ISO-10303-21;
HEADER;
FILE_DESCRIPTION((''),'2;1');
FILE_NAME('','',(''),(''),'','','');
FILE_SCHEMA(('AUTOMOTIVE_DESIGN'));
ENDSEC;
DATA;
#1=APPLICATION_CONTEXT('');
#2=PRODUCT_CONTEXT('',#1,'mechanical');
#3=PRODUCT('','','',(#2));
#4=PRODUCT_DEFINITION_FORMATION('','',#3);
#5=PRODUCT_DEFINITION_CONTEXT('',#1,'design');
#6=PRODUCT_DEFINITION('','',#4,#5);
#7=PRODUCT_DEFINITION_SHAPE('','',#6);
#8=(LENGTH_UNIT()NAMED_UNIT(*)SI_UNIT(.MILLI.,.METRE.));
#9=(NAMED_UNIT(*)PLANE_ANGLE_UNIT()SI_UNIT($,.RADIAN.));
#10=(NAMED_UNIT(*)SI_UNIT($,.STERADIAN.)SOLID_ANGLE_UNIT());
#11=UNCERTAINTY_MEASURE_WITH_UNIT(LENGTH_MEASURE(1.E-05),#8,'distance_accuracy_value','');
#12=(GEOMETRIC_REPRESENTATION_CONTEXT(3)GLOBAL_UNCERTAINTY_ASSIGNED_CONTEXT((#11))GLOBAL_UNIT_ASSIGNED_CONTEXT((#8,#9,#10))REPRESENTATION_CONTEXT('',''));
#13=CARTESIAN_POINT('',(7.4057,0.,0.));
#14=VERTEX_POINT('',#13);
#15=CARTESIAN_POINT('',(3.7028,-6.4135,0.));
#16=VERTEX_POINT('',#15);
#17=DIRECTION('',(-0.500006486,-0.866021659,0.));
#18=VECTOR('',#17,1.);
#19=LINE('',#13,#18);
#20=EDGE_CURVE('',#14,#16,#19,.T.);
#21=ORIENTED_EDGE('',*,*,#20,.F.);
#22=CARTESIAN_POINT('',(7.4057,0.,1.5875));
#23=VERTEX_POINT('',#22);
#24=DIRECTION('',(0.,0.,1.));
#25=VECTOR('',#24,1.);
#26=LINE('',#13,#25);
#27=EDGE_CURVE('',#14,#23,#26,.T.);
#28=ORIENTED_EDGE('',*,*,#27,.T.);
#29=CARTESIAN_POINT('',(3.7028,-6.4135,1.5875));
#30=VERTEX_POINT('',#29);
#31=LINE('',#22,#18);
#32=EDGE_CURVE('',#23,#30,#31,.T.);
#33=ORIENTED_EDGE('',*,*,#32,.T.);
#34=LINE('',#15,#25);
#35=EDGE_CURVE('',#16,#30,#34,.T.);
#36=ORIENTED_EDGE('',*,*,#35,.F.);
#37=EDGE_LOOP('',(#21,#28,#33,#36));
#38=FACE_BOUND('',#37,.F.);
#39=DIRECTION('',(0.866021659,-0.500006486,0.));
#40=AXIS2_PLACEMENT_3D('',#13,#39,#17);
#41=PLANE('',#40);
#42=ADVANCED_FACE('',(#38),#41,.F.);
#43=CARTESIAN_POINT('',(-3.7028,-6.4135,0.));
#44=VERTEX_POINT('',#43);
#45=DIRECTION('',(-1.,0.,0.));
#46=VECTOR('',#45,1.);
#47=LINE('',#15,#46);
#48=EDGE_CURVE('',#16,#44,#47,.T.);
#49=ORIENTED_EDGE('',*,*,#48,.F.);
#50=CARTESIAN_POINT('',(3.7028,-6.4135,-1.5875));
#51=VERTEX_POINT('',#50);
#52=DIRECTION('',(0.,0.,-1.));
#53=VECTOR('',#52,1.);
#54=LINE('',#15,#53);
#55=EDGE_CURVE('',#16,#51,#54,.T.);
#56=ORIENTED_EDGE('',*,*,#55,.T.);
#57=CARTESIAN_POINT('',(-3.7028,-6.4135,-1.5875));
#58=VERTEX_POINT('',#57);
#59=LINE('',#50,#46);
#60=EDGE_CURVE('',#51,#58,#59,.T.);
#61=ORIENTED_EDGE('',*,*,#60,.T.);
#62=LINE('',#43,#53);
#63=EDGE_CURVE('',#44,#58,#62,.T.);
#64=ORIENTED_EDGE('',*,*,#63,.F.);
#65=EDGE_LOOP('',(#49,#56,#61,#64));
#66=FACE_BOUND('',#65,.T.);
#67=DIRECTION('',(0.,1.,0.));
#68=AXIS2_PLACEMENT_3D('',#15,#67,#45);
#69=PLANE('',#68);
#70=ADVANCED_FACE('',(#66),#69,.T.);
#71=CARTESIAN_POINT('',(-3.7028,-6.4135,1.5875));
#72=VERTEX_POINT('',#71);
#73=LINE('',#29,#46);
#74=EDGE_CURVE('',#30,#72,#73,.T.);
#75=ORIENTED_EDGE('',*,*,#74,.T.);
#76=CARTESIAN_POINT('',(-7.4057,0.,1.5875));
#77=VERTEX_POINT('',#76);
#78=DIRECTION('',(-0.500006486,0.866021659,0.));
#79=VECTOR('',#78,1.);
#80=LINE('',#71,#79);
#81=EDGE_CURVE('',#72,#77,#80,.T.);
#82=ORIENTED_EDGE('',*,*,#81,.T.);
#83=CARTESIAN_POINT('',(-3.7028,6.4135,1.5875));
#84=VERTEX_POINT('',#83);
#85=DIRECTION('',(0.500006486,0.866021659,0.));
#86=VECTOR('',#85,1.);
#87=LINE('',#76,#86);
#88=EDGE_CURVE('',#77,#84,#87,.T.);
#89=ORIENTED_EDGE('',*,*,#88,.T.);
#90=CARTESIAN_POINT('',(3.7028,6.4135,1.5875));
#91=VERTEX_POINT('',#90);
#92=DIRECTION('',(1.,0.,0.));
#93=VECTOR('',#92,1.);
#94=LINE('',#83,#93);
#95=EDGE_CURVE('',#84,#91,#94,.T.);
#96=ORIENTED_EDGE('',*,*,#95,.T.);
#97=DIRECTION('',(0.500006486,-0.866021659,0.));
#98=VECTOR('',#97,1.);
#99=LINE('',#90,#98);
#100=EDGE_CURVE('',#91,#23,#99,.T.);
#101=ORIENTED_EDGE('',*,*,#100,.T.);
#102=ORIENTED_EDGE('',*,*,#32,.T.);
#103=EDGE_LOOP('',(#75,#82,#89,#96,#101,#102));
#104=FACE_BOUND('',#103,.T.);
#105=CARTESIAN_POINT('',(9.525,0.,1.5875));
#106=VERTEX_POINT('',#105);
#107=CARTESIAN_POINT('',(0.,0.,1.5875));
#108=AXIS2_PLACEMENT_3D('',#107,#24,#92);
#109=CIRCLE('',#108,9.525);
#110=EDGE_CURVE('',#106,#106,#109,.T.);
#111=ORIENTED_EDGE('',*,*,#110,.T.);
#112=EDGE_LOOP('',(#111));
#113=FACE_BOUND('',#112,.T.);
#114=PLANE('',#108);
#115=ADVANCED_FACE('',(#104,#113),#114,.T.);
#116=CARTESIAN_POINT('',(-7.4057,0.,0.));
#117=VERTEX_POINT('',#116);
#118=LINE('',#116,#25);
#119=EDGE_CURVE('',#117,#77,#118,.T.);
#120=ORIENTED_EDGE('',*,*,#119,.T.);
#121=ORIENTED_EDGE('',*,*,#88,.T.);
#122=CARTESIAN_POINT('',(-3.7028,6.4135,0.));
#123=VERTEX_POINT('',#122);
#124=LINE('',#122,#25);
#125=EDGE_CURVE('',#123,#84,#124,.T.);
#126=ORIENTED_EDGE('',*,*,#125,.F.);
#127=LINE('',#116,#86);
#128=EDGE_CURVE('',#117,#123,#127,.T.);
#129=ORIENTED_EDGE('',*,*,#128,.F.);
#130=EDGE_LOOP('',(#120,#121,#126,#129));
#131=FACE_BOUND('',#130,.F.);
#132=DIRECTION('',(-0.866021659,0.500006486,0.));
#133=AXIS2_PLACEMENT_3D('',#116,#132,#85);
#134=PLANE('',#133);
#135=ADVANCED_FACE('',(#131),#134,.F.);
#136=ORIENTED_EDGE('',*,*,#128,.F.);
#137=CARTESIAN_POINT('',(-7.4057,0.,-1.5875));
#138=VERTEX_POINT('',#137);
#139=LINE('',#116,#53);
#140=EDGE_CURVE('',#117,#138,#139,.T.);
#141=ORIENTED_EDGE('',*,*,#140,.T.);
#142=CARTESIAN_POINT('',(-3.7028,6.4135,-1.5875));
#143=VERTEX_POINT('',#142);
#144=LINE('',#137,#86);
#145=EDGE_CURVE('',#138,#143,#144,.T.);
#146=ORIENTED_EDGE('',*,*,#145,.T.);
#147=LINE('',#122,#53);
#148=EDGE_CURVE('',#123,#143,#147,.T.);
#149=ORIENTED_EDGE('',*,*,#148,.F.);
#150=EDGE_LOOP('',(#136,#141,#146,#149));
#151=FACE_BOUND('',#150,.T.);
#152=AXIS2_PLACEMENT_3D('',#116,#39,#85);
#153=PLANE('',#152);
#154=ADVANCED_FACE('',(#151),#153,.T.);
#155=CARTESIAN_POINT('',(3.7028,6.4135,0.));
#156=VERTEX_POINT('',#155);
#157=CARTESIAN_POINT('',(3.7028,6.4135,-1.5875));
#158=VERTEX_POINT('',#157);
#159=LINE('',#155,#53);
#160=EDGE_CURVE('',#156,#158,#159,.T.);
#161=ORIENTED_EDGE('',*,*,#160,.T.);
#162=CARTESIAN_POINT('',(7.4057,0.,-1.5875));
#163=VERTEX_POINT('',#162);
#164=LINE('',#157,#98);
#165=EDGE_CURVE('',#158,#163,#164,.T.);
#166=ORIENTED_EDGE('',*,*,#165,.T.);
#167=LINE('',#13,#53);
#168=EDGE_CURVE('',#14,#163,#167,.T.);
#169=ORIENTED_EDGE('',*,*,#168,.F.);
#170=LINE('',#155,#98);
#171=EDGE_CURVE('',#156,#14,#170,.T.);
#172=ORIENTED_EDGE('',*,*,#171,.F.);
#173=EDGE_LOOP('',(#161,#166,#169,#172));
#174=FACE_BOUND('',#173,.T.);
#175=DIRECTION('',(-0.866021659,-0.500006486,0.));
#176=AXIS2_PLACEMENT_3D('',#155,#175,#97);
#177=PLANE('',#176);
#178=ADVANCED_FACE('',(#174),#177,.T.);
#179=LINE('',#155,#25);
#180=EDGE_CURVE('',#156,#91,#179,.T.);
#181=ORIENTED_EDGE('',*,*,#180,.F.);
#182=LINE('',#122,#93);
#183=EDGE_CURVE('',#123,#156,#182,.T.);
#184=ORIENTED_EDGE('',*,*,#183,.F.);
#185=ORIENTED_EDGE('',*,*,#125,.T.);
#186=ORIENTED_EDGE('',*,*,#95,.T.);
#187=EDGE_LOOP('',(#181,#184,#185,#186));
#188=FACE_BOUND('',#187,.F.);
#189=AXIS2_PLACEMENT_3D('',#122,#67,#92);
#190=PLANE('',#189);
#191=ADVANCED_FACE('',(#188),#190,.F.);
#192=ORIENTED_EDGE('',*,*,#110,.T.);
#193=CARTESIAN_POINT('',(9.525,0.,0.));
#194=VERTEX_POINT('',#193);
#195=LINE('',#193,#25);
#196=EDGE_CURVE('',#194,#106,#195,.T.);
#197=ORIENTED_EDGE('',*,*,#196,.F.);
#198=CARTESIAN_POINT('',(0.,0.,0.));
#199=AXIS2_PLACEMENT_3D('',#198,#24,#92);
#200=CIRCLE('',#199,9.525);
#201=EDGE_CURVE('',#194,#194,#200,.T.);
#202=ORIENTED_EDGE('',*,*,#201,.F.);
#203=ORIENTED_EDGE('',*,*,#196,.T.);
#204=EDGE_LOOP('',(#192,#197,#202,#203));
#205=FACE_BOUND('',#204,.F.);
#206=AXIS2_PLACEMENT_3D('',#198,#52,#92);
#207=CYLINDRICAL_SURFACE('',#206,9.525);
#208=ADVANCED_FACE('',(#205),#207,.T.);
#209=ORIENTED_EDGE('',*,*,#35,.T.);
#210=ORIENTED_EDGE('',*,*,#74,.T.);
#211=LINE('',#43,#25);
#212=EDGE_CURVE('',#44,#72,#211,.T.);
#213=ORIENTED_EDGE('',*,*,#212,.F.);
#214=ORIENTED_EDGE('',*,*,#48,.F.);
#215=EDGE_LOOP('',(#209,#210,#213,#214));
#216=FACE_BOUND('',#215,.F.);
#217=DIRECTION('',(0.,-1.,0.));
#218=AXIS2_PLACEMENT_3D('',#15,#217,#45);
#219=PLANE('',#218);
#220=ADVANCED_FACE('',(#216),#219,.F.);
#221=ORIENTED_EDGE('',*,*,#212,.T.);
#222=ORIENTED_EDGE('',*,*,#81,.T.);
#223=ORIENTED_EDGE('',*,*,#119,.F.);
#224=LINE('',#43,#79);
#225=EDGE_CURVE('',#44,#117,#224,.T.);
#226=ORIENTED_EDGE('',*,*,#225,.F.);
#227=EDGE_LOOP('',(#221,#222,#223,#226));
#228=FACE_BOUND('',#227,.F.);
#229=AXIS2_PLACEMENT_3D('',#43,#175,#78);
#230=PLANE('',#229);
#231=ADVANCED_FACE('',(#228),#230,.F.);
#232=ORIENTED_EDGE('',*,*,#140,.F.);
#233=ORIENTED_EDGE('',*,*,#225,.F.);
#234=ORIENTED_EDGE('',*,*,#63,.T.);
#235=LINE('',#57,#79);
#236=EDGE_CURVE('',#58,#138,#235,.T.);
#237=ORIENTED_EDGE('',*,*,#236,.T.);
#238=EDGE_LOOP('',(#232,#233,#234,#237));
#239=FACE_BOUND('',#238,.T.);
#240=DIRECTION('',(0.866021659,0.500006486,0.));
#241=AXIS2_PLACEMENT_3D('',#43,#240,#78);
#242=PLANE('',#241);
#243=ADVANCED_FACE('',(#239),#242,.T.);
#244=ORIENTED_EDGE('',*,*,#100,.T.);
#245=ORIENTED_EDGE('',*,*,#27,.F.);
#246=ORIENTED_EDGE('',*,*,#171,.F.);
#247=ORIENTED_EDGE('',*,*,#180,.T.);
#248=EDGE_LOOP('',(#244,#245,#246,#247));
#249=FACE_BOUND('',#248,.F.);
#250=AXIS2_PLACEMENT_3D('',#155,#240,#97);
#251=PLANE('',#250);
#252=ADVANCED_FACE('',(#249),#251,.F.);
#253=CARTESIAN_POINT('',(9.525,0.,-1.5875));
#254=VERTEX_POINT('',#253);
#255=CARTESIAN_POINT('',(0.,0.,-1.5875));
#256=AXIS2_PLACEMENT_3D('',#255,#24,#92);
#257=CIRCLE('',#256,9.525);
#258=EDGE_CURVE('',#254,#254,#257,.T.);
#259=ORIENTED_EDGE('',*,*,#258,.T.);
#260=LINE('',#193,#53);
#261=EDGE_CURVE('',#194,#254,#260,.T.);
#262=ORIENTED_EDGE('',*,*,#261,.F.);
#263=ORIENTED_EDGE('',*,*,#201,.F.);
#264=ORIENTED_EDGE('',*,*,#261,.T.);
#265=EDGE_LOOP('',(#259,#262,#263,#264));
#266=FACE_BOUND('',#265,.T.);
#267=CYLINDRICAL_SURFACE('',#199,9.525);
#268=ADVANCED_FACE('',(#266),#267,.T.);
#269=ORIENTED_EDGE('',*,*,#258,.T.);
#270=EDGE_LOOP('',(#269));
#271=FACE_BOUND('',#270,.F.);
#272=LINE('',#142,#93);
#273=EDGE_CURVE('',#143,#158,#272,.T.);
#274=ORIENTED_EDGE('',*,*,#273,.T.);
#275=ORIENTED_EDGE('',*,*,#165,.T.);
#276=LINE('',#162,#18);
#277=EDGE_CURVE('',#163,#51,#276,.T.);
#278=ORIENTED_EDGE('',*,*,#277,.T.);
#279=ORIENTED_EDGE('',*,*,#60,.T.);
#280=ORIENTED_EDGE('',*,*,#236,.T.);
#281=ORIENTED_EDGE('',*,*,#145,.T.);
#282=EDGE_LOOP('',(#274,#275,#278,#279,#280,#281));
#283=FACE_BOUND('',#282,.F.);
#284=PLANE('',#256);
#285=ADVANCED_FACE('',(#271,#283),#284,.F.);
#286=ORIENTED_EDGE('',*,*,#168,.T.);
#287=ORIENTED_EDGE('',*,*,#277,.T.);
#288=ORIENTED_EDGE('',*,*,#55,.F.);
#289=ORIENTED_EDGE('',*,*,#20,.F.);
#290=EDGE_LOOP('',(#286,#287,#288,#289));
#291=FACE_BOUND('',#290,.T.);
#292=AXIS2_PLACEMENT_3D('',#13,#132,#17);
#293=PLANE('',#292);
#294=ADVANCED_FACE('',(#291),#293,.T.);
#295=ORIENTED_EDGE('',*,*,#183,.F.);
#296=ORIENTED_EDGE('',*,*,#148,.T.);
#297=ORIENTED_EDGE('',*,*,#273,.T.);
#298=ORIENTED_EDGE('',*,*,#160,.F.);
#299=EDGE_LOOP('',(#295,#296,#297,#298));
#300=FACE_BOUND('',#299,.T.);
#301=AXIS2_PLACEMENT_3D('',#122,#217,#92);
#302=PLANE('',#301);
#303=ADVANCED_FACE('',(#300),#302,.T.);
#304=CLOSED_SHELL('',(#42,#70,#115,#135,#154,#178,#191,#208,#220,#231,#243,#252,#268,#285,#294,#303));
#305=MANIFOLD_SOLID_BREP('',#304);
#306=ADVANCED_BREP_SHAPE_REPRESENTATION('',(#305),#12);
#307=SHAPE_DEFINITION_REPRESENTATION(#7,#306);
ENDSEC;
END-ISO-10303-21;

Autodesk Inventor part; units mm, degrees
ref_plane "YZ Plane" through (0, 0, 0) normal (1, 0, 0) x (0, 1, 0)
ref_plane "XZ Plane" through (0, 0, 0) normal (0, 1, 0) x (-1, 0, 0)
ref_plane "XY Plane" through (0, 0, 0) normal (0, 0, 1) x (1, 0, 0)
sketch "Sketch2" plane through (0, 0, 0) normal (0, 0, 1) x (1, 0, 0)
  line L0 (-3.7028, -6.4135) -> (-7.4057, 0)
  line L1 (-7.4057, 0) -> (-3.7028, 6.4135)
  line L2 (-3.7028, 6.4135) -> (3.7028, 6.4135)
  line L3 (3.7028, 6.4135) -> (7.4057, 0)
  line L4 (7.4057, 0) -> (3.7028, -6.4135)
  line L5 (3.7028, -6.4135) -> (-3.7028, -6.4135)
  circle A0 centre (0, 0) radius 9.525
  dimension "d0" = 12.827
  dimension "d1" = 19.05
extrude "Extrusion1" add sketch "Sketch2" along normal mid plane 3.175
properties part number "SPACER,HEX,0.125IN" material "Nylon 6/6"
